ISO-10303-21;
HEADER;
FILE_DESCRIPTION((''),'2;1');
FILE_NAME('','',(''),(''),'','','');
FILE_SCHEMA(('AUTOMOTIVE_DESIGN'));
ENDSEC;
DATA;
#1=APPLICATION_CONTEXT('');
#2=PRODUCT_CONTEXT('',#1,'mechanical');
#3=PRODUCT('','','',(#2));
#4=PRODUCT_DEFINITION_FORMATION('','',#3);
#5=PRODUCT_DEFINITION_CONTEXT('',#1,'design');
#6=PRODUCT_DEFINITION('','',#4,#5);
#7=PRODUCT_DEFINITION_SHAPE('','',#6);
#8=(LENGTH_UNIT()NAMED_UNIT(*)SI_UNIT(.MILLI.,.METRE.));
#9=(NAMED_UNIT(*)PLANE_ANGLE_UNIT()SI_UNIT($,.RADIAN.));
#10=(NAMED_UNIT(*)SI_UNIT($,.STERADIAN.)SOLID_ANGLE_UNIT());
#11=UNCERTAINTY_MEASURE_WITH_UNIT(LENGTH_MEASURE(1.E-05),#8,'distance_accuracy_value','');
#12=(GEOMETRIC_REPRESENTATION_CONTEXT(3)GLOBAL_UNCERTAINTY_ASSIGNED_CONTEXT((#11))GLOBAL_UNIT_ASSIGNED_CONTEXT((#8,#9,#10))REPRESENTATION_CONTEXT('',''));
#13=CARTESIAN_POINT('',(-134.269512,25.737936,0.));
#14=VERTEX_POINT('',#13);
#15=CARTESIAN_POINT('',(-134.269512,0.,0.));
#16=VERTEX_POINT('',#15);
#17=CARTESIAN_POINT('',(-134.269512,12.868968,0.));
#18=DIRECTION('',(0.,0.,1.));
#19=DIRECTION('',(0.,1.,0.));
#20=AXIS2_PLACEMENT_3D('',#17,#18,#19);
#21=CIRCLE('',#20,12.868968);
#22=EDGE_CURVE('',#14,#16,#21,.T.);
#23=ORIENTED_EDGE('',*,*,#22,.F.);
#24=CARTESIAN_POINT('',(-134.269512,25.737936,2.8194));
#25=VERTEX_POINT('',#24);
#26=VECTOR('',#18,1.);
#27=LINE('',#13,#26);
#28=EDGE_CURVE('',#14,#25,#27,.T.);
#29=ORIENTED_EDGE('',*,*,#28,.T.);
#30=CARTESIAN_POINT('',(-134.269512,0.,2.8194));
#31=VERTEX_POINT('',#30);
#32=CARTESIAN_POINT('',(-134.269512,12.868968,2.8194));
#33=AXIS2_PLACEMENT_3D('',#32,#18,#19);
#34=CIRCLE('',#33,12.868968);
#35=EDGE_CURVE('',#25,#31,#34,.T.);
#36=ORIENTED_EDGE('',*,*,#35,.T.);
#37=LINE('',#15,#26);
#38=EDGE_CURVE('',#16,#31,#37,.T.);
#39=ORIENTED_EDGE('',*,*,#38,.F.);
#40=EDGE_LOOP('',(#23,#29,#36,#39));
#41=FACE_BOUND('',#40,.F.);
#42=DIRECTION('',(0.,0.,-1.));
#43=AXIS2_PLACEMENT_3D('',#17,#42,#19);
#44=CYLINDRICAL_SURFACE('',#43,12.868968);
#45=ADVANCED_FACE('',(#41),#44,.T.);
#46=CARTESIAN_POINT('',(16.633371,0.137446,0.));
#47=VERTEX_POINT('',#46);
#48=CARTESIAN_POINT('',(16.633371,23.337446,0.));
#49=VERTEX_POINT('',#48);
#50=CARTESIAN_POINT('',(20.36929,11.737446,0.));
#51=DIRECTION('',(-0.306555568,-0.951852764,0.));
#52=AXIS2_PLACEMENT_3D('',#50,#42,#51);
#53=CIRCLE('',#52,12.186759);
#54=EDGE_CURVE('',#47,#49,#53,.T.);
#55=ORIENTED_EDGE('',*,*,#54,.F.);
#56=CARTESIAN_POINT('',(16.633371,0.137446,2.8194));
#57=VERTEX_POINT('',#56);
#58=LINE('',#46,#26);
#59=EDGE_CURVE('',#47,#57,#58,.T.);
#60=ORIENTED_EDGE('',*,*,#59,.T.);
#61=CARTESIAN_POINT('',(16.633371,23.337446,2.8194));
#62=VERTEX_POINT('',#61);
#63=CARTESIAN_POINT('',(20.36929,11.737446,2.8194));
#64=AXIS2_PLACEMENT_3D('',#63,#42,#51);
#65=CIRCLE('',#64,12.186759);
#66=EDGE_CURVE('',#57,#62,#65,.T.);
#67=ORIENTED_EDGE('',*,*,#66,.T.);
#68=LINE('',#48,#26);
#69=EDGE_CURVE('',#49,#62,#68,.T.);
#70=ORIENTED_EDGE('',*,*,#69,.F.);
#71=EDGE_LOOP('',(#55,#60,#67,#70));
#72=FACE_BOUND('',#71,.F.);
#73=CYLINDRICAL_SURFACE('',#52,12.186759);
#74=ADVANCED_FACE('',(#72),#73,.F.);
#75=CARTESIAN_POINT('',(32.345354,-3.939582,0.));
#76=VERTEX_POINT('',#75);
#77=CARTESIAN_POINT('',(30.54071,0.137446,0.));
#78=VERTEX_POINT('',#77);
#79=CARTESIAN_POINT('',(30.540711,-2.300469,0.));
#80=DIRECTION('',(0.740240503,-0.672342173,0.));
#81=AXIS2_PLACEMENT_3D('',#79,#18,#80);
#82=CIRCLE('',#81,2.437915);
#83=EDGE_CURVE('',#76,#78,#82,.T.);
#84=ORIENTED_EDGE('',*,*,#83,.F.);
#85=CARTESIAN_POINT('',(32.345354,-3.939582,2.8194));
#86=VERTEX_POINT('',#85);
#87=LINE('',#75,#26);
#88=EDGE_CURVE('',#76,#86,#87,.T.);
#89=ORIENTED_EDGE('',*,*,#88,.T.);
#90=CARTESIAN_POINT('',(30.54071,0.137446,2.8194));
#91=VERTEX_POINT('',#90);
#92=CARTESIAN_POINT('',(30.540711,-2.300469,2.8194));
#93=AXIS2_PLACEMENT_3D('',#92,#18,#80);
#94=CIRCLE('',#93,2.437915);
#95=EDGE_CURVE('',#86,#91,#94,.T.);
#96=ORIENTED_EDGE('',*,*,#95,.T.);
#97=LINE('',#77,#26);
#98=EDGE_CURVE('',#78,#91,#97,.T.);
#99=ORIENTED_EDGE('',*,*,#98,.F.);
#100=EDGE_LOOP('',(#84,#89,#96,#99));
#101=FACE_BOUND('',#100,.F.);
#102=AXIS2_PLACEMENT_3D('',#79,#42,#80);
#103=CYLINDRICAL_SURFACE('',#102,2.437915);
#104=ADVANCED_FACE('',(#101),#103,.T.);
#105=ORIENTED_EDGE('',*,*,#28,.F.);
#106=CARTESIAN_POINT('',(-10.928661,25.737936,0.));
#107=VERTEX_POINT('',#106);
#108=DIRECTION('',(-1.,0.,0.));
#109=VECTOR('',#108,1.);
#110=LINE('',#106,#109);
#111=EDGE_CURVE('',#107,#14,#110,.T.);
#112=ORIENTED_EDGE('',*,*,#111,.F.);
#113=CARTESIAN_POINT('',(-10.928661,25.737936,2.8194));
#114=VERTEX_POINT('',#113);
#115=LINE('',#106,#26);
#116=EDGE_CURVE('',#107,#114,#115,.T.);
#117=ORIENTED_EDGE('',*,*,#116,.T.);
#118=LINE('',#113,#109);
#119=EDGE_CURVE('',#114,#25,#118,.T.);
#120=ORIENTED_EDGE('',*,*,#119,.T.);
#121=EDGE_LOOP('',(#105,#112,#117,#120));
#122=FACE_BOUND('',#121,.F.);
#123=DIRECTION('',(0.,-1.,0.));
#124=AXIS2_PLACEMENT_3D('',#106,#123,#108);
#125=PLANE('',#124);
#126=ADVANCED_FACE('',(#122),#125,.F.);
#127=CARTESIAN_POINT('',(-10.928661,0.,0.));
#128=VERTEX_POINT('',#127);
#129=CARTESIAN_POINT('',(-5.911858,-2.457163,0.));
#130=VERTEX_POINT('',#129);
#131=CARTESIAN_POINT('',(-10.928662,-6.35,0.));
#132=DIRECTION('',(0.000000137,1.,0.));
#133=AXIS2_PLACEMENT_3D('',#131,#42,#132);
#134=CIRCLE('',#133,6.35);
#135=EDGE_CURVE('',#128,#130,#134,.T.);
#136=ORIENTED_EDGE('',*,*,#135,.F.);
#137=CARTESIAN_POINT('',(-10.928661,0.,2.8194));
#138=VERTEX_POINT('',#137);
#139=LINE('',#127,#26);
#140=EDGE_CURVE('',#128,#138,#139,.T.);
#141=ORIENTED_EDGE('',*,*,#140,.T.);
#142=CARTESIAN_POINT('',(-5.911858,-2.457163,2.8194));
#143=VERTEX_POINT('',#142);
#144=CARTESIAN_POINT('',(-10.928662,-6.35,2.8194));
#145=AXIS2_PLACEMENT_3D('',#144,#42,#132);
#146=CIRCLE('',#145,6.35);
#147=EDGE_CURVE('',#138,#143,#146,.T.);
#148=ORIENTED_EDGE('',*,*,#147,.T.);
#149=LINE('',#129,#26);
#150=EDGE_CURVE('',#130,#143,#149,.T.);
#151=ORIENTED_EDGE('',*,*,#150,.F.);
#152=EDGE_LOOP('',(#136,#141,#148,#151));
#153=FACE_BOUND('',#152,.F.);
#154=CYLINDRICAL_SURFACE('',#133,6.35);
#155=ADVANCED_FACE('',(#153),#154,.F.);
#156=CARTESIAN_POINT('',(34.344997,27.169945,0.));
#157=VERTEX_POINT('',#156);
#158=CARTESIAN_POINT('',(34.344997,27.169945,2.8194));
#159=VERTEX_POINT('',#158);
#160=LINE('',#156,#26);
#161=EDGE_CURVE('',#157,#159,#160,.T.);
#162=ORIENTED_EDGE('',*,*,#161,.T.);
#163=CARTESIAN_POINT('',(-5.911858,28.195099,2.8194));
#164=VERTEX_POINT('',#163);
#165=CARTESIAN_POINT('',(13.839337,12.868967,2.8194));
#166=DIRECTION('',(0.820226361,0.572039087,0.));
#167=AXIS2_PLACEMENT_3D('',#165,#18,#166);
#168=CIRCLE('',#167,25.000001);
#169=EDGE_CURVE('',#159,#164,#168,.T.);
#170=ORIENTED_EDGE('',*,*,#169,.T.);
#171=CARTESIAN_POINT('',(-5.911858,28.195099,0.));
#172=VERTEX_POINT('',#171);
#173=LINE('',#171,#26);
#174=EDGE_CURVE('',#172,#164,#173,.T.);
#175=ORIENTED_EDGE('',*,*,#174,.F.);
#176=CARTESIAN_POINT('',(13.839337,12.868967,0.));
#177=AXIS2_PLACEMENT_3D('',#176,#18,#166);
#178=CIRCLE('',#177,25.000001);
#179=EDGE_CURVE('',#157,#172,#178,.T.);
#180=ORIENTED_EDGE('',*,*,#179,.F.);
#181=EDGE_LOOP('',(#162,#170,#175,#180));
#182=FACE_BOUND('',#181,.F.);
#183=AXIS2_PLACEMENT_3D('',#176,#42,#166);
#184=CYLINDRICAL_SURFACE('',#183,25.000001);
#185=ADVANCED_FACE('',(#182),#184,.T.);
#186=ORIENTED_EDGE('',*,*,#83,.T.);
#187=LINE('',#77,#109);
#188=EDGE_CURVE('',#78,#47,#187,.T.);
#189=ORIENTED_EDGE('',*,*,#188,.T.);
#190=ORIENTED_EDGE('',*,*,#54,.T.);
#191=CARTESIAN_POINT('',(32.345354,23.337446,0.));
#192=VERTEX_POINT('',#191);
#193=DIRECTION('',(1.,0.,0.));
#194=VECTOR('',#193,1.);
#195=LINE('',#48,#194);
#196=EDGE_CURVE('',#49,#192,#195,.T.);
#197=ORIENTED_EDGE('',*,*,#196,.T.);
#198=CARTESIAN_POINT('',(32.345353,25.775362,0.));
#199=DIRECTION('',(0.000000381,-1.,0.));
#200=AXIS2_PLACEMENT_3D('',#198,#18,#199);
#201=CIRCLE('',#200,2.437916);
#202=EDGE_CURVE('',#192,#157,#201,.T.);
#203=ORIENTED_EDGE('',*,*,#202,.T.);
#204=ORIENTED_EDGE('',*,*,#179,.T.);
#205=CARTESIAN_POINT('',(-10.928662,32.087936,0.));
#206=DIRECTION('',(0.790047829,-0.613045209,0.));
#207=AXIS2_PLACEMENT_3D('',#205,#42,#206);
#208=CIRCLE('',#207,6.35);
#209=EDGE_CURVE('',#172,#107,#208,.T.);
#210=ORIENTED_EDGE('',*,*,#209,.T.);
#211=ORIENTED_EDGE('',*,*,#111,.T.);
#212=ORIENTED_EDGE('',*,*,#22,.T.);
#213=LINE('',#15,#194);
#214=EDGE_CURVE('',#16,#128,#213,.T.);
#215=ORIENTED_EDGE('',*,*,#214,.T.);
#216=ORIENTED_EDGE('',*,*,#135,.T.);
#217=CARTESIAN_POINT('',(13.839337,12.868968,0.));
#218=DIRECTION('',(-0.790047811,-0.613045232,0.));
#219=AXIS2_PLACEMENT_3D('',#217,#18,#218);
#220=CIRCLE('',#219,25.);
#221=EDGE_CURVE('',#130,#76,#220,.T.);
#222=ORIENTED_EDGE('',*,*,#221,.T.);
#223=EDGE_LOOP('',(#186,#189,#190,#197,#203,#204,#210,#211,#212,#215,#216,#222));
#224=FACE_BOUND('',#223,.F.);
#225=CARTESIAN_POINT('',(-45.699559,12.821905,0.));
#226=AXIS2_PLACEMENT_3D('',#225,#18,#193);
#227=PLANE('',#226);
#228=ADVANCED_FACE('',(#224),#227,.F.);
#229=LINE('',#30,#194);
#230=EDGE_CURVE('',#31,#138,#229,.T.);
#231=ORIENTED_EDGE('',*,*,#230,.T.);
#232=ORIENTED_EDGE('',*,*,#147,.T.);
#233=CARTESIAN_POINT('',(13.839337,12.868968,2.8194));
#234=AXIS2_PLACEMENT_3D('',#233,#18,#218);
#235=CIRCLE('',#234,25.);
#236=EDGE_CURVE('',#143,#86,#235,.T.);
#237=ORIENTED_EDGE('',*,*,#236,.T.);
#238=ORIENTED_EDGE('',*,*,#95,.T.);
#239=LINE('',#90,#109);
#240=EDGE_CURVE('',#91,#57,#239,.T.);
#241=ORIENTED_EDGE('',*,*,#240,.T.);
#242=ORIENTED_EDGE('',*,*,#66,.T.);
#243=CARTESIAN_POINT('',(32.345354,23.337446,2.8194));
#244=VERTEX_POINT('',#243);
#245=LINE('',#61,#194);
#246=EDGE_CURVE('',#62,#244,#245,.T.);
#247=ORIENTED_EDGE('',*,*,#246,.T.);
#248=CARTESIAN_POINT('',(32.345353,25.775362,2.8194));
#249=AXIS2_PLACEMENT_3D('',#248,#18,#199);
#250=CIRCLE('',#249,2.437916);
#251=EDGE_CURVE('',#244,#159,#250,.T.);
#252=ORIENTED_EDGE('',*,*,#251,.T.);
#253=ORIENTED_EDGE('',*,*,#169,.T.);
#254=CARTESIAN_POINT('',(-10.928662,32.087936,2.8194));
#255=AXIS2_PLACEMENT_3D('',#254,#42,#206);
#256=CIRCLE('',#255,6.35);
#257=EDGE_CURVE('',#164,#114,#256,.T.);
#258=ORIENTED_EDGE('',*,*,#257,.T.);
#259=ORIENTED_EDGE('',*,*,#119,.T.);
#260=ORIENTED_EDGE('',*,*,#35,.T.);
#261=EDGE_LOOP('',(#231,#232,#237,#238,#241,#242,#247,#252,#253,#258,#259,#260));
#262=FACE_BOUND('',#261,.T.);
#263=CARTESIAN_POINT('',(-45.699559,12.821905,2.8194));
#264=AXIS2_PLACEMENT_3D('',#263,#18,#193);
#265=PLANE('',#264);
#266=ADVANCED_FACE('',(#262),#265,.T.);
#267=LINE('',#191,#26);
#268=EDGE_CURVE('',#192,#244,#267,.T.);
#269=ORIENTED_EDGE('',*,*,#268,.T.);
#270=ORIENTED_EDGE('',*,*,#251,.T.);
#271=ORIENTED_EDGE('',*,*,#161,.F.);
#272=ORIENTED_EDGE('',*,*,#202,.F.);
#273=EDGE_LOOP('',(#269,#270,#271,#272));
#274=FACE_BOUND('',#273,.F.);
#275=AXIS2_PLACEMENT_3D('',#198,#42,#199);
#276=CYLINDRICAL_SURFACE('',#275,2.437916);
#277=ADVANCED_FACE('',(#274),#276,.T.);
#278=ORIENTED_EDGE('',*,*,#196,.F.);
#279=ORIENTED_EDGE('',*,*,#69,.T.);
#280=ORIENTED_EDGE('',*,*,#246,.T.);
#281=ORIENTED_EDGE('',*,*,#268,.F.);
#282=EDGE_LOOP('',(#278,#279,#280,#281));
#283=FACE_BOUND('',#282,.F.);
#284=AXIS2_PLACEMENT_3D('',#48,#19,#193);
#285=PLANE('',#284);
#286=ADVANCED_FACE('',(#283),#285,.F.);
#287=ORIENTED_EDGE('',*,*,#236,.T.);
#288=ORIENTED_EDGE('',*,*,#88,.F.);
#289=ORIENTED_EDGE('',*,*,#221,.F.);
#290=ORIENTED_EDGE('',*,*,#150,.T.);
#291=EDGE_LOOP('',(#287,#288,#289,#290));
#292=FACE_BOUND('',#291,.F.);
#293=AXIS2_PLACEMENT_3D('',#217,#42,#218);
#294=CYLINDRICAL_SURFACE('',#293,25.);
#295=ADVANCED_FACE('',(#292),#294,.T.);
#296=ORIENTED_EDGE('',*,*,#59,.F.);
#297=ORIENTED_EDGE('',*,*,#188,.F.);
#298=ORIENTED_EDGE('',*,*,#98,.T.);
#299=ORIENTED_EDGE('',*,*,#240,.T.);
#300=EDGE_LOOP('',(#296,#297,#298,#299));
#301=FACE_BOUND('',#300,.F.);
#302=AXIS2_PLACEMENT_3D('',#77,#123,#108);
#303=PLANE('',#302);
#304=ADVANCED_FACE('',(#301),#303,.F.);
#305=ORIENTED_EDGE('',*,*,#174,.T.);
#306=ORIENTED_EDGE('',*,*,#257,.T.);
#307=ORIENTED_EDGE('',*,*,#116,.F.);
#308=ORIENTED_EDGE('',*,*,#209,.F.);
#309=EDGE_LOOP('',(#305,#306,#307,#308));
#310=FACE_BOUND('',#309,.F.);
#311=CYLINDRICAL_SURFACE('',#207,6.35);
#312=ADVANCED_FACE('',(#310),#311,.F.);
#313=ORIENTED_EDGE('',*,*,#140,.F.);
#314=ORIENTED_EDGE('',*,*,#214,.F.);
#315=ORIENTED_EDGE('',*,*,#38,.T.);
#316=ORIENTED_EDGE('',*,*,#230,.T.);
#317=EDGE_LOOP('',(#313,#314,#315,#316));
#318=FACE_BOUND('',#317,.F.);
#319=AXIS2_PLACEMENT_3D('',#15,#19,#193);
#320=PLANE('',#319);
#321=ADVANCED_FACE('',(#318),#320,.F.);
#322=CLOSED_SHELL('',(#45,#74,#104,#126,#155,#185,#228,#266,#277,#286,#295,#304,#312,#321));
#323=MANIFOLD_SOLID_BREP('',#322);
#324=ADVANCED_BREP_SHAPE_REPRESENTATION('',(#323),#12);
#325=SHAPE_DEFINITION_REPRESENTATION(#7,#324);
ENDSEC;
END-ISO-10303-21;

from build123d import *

# Parameters (mm, degrees)
F1_DEPTH = 2.8194


with BuildPart() as f1:
    # F0 (on Top) → F1 (new body)
    with BuildSketch(Plane.XY):
        with BuildLine():
            ThreePointArc((-5.911858, 28.195099), (-8.135546, 26.385217), (-10.928661, 25.737936))
            Line((-10.928661, 25.737936), (-134.269512, 25.737936))
            ThreePointArc((-134.269512, 25.737936), (-147.13848, 12.868968), (-134.269512, 0))
            Line((-134.269512, 0), (-10.928661, 0))
            ThreePointArc((-10.928661, 0), (-8.135546, -0.647281), (-5.911858, -2.457163))
            ThreePointArc((-5.911858, -2.457163), (12.871345, -12.112285), (32.345354, -3.939582))
            ThreePointArc((32.345354, -3.939582), (32.769998, -1.313703), (30.54071, 0.137446))
            Line((30.54071, 0.137446), (16.633371, 0.137446))
            ThreePointArc((16.633371, 0.137446), (8.182531, 11.737446), (16.633371, 23.337446))
            Line((16.633371, 23.337446), (32.345354, 23.337446))
            ThreePointArc((32.345354, 23.337446), (34.506755, 24.647631), (34.344997, 27.169945))
            ThreePointArc((34.344997, 27.169945), (14.475764, 37.860866), (-5.911858, 28.195099))
        make_face()
    extrude(amount=F1_DEPTH)


solid = f1.part
